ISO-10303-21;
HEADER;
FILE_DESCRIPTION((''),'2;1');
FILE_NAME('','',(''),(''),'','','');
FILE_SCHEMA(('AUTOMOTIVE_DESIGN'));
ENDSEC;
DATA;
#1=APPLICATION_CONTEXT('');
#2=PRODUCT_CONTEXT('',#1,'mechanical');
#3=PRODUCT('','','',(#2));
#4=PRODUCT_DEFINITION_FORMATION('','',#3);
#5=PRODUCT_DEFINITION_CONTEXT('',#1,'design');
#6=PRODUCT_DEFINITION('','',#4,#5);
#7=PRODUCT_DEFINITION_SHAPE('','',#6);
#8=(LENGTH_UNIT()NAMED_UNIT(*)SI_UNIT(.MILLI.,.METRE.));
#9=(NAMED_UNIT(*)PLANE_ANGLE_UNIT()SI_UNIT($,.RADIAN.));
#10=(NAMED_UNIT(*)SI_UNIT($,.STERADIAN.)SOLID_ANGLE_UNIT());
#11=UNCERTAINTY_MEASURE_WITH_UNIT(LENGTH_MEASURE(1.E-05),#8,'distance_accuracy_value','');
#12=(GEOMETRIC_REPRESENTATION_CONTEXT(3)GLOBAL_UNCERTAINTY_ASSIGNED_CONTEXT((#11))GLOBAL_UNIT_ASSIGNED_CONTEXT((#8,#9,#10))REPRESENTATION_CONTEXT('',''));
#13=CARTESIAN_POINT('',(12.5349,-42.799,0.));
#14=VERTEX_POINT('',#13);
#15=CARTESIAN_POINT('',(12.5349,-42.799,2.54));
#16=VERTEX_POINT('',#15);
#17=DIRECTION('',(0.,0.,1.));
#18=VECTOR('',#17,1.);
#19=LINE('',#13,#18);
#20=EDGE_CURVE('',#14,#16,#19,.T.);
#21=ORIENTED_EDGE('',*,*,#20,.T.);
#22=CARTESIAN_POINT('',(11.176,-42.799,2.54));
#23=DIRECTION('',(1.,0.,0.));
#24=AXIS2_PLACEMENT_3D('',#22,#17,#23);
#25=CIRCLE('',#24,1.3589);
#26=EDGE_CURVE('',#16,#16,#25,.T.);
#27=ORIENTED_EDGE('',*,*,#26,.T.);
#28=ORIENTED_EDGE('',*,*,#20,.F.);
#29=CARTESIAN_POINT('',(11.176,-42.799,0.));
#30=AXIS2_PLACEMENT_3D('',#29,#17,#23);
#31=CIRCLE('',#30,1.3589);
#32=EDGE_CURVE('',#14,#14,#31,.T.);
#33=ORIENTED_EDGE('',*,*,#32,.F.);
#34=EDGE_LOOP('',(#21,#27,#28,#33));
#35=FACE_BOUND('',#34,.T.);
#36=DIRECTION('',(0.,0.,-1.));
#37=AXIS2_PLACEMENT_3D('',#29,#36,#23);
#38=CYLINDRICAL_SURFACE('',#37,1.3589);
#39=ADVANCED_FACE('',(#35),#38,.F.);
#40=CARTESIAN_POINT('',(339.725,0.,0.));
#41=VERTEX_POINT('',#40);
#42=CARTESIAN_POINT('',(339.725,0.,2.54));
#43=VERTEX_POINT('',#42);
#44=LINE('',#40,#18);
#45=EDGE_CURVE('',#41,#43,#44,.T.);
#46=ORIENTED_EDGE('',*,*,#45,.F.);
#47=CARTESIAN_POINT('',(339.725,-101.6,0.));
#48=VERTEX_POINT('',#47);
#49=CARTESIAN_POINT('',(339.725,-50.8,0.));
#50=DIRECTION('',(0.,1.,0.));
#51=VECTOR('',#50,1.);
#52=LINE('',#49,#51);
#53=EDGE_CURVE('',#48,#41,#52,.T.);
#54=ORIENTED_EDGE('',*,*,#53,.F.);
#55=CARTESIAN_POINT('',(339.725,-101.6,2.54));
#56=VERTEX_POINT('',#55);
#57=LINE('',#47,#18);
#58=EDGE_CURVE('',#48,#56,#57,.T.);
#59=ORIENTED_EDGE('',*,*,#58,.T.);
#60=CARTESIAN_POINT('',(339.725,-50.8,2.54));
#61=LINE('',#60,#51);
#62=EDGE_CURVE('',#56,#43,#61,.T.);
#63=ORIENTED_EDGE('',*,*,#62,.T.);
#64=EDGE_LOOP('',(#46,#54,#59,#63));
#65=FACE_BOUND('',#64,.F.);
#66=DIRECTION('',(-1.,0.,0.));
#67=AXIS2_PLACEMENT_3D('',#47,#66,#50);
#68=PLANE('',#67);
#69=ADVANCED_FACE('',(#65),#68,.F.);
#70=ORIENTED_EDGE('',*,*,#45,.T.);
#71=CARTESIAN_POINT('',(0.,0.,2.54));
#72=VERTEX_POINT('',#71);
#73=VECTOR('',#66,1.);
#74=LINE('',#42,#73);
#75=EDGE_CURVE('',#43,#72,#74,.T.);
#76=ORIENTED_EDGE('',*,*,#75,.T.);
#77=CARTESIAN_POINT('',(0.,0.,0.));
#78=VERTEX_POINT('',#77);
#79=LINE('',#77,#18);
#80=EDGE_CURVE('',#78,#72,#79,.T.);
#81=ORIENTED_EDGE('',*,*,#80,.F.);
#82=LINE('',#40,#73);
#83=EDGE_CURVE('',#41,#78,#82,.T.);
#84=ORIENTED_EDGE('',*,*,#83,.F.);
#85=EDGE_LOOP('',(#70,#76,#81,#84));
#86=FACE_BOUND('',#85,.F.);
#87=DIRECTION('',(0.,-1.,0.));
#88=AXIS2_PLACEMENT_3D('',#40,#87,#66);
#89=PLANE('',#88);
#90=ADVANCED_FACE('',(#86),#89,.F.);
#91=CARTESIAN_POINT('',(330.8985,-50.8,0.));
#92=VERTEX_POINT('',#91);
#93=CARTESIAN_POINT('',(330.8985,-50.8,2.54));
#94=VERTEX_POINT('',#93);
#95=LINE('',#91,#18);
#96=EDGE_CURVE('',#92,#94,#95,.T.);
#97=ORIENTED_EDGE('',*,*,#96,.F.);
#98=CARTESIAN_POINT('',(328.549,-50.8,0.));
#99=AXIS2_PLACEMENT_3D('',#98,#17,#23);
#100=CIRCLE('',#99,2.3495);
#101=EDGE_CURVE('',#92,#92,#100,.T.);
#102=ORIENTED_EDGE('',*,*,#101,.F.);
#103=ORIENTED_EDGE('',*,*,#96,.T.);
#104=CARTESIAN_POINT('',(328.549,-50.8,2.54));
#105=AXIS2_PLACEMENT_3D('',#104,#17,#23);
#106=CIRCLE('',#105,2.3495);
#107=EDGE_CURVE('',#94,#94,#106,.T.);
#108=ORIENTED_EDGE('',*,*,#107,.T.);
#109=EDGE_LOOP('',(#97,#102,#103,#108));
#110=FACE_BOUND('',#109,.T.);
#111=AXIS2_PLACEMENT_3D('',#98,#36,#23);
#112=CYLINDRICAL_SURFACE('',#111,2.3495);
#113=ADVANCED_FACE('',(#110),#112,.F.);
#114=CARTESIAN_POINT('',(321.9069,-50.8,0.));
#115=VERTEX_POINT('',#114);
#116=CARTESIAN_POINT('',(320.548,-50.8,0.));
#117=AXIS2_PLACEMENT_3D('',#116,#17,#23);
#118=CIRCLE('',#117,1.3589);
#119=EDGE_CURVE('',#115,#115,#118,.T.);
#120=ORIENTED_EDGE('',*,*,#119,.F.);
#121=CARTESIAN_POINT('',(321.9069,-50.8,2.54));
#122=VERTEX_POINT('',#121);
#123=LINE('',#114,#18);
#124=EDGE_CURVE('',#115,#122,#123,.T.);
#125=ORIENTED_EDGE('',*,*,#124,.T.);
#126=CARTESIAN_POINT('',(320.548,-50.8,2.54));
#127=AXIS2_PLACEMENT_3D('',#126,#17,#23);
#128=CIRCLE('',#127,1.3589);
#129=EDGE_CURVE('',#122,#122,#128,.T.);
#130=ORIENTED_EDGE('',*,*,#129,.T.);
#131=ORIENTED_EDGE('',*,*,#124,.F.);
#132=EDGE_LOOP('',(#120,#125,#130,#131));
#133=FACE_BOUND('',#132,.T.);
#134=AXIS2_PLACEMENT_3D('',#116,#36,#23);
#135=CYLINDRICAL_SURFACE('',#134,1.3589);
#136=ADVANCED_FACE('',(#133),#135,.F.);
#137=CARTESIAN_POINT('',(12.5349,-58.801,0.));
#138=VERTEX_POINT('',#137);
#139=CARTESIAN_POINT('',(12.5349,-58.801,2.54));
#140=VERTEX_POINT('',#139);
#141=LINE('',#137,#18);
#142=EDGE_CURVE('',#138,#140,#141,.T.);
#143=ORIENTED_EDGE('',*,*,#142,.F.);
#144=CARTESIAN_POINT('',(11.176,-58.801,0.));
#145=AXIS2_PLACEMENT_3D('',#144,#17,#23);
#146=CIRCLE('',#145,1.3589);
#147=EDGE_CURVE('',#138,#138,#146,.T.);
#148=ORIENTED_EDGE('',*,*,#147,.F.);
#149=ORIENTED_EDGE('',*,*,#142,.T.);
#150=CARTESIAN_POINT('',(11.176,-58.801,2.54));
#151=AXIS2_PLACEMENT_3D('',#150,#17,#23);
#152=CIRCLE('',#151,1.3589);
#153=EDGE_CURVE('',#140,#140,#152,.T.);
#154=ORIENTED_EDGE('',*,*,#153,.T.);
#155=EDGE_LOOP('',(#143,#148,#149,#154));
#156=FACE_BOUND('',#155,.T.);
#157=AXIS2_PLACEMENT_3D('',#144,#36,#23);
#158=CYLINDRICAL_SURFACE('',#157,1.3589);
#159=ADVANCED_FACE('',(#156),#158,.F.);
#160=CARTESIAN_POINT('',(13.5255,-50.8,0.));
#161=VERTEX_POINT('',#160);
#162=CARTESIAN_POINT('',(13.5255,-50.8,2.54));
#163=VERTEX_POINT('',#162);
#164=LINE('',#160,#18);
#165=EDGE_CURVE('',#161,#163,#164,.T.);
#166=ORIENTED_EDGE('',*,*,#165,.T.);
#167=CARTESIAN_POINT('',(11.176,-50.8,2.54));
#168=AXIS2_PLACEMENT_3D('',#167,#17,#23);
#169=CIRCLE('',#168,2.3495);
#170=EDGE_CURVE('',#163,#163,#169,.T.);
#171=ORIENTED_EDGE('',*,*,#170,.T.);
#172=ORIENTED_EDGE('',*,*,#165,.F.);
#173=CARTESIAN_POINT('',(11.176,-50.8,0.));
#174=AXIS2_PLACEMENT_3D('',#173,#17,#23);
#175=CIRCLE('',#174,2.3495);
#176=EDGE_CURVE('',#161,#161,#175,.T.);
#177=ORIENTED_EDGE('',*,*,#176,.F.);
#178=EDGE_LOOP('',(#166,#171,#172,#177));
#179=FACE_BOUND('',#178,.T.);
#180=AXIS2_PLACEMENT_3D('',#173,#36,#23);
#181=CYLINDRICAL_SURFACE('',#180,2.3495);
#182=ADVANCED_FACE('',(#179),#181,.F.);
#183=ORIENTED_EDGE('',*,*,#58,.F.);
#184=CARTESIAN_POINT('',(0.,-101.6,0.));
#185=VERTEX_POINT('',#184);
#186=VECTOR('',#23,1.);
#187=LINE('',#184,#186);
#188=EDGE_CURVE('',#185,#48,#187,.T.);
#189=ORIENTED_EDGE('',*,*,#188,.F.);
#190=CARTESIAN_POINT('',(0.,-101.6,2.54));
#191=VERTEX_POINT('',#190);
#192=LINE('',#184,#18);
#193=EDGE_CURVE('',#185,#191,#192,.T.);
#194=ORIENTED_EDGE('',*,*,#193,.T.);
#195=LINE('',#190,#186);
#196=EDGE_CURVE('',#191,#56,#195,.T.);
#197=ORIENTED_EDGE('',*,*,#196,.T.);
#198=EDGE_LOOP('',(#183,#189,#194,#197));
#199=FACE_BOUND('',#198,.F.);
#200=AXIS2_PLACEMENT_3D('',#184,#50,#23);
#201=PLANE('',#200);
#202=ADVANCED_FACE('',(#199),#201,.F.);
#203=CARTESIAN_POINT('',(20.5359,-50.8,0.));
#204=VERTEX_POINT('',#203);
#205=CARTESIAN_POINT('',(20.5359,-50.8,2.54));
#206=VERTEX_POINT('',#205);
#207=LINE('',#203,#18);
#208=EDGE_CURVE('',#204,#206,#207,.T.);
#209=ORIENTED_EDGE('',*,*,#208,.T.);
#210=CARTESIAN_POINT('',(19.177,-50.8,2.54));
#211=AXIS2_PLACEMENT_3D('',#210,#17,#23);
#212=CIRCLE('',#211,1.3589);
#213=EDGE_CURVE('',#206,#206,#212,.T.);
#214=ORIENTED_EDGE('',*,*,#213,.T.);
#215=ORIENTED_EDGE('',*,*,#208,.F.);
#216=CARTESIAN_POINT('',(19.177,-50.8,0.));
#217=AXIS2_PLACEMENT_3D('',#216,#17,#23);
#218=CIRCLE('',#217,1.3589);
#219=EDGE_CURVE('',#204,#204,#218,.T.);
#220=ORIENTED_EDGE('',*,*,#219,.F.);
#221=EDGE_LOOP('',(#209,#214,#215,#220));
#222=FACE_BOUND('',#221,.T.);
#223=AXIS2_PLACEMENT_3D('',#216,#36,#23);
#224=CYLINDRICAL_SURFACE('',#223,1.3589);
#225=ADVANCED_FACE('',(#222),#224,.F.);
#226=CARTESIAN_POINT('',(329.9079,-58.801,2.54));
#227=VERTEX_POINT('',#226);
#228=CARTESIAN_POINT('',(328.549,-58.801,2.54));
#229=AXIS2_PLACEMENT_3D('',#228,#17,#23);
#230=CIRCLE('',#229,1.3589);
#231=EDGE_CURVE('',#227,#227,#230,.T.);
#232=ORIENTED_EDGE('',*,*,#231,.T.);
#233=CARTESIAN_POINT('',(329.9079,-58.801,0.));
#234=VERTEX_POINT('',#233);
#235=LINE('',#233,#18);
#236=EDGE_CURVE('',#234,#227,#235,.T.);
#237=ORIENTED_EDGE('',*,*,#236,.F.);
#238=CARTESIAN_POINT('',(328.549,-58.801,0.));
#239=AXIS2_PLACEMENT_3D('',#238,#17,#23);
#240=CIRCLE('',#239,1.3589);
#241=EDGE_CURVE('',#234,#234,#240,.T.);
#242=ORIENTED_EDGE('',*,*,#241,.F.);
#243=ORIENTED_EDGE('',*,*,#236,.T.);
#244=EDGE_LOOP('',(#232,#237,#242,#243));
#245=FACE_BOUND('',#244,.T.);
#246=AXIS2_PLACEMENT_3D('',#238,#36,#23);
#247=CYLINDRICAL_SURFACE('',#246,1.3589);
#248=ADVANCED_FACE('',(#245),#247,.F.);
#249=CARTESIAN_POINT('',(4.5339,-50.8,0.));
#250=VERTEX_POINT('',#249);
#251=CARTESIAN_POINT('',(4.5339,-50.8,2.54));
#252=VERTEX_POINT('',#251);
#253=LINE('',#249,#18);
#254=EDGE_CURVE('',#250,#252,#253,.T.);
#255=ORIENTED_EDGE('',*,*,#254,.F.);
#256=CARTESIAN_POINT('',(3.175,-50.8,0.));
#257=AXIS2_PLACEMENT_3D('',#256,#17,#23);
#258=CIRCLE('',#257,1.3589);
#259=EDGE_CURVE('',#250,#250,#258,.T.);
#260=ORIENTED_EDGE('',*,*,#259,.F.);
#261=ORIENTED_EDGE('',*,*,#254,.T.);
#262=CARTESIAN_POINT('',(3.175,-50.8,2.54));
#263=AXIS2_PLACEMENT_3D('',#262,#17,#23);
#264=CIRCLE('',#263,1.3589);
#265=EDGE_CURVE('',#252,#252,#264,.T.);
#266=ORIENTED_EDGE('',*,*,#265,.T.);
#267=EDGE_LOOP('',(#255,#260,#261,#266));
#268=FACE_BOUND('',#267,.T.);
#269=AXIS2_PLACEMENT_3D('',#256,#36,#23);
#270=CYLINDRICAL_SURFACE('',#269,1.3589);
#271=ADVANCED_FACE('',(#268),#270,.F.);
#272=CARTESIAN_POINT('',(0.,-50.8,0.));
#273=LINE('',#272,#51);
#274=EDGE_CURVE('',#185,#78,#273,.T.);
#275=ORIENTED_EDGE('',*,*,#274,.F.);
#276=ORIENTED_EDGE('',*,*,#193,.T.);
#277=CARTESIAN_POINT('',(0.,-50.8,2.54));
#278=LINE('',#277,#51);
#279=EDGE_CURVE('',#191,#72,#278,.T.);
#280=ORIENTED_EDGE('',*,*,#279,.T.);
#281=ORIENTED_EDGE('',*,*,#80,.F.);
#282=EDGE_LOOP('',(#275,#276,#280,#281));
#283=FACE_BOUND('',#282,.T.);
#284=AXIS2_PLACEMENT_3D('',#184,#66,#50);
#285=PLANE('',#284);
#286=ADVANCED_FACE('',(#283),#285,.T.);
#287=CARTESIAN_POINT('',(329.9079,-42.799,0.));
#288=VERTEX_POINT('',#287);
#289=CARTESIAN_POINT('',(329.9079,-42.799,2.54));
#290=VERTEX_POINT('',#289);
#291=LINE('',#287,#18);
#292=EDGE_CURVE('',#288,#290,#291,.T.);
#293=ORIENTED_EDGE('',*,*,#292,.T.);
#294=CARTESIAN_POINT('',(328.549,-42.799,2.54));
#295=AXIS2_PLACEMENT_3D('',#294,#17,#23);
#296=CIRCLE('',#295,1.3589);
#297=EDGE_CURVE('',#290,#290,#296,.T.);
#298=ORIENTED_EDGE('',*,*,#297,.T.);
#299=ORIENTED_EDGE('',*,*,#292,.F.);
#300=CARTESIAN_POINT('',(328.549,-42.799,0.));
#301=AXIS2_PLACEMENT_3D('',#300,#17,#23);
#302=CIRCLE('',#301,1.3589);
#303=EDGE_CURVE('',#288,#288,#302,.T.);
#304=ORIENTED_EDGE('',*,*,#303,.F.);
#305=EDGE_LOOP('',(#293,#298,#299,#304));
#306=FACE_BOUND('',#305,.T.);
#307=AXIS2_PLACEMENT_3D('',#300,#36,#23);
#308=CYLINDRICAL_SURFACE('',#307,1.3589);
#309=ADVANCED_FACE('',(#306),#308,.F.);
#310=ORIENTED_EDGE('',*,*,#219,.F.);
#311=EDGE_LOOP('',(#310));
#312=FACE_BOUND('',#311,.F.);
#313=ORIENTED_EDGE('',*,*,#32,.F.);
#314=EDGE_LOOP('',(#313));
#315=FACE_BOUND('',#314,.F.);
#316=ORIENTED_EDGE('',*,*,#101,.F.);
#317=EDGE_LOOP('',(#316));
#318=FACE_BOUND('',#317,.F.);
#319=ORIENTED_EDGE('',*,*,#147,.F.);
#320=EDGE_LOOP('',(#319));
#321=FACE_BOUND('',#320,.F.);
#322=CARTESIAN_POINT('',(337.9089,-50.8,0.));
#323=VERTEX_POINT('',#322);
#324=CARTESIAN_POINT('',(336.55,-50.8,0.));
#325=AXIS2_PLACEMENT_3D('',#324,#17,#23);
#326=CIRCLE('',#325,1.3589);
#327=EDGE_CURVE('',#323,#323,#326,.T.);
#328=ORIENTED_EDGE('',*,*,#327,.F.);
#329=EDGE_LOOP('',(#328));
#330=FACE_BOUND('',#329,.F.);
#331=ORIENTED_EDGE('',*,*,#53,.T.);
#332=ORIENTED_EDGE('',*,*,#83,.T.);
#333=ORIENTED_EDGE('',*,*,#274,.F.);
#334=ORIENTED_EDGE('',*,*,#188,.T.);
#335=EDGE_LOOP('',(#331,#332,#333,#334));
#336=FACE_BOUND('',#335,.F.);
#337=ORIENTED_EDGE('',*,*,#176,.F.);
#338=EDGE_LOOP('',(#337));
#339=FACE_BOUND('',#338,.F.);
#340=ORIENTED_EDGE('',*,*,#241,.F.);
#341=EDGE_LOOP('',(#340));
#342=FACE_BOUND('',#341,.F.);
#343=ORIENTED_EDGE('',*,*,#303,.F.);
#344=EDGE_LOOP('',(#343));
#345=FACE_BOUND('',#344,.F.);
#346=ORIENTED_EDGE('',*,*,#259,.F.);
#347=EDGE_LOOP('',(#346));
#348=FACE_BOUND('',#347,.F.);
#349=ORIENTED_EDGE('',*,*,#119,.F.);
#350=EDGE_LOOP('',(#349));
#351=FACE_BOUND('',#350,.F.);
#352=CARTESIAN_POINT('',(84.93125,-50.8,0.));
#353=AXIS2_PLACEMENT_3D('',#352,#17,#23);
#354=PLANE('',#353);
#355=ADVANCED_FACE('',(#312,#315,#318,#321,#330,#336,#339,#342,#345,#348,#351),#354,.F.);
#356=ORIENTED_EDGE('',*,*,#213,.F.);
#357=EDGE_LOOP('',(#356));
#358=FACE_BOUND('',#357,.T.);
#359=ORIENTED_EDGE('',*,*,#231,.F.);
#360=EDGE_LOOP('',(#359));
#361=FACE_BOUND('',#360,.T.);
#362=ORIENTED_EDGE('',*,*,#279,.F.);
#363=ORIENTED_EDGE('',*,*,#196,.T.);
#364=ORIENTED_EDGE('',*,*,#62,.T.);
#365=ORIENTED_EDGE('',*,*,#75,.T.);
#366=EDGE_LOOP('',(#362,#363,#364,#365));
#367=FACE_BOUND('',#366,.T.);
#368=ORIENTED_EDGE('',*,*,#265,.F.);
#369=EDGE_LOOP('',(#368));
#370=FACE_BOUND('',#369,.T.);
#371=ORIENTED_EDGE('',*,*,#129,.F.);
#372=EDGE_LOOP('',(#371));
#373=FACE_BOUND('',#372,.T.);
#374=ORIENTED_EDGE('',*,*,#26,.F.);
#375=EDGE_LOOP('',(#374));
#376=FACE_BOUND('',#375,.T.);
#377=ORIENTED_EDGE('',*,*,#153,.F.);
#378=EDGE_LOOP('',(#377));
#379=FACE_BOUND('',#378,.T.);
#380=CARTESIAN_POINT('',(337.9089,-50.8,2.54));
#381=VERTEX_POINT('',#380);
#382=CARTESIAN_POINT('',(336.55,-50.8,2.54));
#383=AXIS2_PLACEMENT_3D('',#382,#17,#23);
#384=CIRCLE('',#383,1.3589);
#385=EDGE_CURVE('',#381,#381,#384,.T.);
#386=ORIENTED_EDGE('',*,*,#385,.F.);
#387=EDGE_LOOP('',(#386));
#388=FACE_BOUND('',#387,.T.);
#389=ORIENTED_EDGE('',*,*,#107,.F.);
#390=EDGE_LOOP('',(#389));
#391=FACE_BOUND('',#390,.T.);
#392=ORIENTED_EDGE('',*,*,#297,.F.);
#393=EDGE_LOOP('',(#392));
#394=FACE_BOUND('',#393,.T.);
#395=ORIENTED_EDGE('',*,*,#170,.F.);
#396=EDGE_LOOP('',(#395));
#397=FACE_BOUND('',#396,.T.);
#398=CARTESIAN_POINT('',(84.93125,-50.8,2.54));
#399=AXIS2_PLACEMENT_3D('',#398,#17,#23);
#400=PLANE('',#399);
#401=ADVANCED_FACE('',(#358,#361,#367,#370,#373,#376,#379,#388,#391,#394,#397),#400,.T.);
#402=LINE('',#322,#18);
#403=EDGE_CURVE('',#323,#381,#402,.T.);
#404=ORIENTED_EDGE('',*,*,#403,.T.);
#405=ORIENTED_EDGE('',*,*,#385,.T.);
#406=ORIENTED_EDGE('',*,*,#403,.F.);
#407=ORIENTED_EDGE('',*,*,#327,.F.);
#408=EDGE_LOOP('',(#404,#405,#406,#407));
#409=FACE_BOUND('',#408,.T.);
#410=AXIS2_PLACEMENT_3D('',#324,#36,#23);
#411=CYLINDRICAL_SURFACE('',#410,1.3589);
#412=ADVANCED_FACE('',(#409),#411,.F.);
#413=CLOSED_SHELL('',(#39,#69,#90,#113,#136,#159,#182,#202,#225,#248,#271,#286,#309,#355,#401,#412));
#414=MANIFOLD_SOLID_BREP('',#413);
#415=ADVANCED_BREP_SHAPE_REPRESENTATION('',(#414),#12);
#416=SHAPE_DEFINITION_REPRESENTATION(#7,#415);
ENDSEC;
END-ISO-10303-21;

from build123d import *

# Parameters (mm, degrees)
F0_W     = 169.8625
F0_H     = 101.6
F0_R     = 1.3589
F0_R_2   = 2.3495
F1_DEPTH = 2.54


with BuildPart() as f1:
    # F0 (on Top) → F1 (new body)
    with BuildSketch(Plane.XY):
        with Locations((84.93125, -50.8)):
            Rectangle(F0_W, F0_H)
        with Locations((11.176, -58.801)):
            Circle(F0_R, mode=Mode.SUBTRACT)
        with Locations((3.175, -50.8)):
            Circle(F0_R, mode=Mode.SUBTRACT)
        with Locations((11.176, -50.8)):
            Circle(F0_R_2, mode=Mode.SUBTRACT)
        with Locations((19.177, -50.8)):
            Circle(F0_R, mode=Mode.SUBTRACT)
        with Locations((11.176, -42.799)):
            Circle(F0_R, mode=Mode.SUBTRACT)
        with Locations((254.79375, -50.8)):
            Rectangle(F0_W, F0_H)
        with Locations((328.549, -58.801)):
            Circle(F0_R, mode=Mode.SUBTRACT)
        with Locations((320.548, -50.8)):
            Circle(F0_R, mode=Mode.SUBTRACT)
        with Locations((328.549, -50.8)):
            Circle(F0_R_2, mode=Mode.SUBTRACT)
        with Locations((336.55, -50.8)):
            Circle(F0_R, mode=Mode.SUBTRACT)
        with Locations((328.549, -42.799)):
            Circle(F0_R, mode=Mode.SUBTRACT)
    extrude(amount=F1_DEPTH)


solid = f1.part
